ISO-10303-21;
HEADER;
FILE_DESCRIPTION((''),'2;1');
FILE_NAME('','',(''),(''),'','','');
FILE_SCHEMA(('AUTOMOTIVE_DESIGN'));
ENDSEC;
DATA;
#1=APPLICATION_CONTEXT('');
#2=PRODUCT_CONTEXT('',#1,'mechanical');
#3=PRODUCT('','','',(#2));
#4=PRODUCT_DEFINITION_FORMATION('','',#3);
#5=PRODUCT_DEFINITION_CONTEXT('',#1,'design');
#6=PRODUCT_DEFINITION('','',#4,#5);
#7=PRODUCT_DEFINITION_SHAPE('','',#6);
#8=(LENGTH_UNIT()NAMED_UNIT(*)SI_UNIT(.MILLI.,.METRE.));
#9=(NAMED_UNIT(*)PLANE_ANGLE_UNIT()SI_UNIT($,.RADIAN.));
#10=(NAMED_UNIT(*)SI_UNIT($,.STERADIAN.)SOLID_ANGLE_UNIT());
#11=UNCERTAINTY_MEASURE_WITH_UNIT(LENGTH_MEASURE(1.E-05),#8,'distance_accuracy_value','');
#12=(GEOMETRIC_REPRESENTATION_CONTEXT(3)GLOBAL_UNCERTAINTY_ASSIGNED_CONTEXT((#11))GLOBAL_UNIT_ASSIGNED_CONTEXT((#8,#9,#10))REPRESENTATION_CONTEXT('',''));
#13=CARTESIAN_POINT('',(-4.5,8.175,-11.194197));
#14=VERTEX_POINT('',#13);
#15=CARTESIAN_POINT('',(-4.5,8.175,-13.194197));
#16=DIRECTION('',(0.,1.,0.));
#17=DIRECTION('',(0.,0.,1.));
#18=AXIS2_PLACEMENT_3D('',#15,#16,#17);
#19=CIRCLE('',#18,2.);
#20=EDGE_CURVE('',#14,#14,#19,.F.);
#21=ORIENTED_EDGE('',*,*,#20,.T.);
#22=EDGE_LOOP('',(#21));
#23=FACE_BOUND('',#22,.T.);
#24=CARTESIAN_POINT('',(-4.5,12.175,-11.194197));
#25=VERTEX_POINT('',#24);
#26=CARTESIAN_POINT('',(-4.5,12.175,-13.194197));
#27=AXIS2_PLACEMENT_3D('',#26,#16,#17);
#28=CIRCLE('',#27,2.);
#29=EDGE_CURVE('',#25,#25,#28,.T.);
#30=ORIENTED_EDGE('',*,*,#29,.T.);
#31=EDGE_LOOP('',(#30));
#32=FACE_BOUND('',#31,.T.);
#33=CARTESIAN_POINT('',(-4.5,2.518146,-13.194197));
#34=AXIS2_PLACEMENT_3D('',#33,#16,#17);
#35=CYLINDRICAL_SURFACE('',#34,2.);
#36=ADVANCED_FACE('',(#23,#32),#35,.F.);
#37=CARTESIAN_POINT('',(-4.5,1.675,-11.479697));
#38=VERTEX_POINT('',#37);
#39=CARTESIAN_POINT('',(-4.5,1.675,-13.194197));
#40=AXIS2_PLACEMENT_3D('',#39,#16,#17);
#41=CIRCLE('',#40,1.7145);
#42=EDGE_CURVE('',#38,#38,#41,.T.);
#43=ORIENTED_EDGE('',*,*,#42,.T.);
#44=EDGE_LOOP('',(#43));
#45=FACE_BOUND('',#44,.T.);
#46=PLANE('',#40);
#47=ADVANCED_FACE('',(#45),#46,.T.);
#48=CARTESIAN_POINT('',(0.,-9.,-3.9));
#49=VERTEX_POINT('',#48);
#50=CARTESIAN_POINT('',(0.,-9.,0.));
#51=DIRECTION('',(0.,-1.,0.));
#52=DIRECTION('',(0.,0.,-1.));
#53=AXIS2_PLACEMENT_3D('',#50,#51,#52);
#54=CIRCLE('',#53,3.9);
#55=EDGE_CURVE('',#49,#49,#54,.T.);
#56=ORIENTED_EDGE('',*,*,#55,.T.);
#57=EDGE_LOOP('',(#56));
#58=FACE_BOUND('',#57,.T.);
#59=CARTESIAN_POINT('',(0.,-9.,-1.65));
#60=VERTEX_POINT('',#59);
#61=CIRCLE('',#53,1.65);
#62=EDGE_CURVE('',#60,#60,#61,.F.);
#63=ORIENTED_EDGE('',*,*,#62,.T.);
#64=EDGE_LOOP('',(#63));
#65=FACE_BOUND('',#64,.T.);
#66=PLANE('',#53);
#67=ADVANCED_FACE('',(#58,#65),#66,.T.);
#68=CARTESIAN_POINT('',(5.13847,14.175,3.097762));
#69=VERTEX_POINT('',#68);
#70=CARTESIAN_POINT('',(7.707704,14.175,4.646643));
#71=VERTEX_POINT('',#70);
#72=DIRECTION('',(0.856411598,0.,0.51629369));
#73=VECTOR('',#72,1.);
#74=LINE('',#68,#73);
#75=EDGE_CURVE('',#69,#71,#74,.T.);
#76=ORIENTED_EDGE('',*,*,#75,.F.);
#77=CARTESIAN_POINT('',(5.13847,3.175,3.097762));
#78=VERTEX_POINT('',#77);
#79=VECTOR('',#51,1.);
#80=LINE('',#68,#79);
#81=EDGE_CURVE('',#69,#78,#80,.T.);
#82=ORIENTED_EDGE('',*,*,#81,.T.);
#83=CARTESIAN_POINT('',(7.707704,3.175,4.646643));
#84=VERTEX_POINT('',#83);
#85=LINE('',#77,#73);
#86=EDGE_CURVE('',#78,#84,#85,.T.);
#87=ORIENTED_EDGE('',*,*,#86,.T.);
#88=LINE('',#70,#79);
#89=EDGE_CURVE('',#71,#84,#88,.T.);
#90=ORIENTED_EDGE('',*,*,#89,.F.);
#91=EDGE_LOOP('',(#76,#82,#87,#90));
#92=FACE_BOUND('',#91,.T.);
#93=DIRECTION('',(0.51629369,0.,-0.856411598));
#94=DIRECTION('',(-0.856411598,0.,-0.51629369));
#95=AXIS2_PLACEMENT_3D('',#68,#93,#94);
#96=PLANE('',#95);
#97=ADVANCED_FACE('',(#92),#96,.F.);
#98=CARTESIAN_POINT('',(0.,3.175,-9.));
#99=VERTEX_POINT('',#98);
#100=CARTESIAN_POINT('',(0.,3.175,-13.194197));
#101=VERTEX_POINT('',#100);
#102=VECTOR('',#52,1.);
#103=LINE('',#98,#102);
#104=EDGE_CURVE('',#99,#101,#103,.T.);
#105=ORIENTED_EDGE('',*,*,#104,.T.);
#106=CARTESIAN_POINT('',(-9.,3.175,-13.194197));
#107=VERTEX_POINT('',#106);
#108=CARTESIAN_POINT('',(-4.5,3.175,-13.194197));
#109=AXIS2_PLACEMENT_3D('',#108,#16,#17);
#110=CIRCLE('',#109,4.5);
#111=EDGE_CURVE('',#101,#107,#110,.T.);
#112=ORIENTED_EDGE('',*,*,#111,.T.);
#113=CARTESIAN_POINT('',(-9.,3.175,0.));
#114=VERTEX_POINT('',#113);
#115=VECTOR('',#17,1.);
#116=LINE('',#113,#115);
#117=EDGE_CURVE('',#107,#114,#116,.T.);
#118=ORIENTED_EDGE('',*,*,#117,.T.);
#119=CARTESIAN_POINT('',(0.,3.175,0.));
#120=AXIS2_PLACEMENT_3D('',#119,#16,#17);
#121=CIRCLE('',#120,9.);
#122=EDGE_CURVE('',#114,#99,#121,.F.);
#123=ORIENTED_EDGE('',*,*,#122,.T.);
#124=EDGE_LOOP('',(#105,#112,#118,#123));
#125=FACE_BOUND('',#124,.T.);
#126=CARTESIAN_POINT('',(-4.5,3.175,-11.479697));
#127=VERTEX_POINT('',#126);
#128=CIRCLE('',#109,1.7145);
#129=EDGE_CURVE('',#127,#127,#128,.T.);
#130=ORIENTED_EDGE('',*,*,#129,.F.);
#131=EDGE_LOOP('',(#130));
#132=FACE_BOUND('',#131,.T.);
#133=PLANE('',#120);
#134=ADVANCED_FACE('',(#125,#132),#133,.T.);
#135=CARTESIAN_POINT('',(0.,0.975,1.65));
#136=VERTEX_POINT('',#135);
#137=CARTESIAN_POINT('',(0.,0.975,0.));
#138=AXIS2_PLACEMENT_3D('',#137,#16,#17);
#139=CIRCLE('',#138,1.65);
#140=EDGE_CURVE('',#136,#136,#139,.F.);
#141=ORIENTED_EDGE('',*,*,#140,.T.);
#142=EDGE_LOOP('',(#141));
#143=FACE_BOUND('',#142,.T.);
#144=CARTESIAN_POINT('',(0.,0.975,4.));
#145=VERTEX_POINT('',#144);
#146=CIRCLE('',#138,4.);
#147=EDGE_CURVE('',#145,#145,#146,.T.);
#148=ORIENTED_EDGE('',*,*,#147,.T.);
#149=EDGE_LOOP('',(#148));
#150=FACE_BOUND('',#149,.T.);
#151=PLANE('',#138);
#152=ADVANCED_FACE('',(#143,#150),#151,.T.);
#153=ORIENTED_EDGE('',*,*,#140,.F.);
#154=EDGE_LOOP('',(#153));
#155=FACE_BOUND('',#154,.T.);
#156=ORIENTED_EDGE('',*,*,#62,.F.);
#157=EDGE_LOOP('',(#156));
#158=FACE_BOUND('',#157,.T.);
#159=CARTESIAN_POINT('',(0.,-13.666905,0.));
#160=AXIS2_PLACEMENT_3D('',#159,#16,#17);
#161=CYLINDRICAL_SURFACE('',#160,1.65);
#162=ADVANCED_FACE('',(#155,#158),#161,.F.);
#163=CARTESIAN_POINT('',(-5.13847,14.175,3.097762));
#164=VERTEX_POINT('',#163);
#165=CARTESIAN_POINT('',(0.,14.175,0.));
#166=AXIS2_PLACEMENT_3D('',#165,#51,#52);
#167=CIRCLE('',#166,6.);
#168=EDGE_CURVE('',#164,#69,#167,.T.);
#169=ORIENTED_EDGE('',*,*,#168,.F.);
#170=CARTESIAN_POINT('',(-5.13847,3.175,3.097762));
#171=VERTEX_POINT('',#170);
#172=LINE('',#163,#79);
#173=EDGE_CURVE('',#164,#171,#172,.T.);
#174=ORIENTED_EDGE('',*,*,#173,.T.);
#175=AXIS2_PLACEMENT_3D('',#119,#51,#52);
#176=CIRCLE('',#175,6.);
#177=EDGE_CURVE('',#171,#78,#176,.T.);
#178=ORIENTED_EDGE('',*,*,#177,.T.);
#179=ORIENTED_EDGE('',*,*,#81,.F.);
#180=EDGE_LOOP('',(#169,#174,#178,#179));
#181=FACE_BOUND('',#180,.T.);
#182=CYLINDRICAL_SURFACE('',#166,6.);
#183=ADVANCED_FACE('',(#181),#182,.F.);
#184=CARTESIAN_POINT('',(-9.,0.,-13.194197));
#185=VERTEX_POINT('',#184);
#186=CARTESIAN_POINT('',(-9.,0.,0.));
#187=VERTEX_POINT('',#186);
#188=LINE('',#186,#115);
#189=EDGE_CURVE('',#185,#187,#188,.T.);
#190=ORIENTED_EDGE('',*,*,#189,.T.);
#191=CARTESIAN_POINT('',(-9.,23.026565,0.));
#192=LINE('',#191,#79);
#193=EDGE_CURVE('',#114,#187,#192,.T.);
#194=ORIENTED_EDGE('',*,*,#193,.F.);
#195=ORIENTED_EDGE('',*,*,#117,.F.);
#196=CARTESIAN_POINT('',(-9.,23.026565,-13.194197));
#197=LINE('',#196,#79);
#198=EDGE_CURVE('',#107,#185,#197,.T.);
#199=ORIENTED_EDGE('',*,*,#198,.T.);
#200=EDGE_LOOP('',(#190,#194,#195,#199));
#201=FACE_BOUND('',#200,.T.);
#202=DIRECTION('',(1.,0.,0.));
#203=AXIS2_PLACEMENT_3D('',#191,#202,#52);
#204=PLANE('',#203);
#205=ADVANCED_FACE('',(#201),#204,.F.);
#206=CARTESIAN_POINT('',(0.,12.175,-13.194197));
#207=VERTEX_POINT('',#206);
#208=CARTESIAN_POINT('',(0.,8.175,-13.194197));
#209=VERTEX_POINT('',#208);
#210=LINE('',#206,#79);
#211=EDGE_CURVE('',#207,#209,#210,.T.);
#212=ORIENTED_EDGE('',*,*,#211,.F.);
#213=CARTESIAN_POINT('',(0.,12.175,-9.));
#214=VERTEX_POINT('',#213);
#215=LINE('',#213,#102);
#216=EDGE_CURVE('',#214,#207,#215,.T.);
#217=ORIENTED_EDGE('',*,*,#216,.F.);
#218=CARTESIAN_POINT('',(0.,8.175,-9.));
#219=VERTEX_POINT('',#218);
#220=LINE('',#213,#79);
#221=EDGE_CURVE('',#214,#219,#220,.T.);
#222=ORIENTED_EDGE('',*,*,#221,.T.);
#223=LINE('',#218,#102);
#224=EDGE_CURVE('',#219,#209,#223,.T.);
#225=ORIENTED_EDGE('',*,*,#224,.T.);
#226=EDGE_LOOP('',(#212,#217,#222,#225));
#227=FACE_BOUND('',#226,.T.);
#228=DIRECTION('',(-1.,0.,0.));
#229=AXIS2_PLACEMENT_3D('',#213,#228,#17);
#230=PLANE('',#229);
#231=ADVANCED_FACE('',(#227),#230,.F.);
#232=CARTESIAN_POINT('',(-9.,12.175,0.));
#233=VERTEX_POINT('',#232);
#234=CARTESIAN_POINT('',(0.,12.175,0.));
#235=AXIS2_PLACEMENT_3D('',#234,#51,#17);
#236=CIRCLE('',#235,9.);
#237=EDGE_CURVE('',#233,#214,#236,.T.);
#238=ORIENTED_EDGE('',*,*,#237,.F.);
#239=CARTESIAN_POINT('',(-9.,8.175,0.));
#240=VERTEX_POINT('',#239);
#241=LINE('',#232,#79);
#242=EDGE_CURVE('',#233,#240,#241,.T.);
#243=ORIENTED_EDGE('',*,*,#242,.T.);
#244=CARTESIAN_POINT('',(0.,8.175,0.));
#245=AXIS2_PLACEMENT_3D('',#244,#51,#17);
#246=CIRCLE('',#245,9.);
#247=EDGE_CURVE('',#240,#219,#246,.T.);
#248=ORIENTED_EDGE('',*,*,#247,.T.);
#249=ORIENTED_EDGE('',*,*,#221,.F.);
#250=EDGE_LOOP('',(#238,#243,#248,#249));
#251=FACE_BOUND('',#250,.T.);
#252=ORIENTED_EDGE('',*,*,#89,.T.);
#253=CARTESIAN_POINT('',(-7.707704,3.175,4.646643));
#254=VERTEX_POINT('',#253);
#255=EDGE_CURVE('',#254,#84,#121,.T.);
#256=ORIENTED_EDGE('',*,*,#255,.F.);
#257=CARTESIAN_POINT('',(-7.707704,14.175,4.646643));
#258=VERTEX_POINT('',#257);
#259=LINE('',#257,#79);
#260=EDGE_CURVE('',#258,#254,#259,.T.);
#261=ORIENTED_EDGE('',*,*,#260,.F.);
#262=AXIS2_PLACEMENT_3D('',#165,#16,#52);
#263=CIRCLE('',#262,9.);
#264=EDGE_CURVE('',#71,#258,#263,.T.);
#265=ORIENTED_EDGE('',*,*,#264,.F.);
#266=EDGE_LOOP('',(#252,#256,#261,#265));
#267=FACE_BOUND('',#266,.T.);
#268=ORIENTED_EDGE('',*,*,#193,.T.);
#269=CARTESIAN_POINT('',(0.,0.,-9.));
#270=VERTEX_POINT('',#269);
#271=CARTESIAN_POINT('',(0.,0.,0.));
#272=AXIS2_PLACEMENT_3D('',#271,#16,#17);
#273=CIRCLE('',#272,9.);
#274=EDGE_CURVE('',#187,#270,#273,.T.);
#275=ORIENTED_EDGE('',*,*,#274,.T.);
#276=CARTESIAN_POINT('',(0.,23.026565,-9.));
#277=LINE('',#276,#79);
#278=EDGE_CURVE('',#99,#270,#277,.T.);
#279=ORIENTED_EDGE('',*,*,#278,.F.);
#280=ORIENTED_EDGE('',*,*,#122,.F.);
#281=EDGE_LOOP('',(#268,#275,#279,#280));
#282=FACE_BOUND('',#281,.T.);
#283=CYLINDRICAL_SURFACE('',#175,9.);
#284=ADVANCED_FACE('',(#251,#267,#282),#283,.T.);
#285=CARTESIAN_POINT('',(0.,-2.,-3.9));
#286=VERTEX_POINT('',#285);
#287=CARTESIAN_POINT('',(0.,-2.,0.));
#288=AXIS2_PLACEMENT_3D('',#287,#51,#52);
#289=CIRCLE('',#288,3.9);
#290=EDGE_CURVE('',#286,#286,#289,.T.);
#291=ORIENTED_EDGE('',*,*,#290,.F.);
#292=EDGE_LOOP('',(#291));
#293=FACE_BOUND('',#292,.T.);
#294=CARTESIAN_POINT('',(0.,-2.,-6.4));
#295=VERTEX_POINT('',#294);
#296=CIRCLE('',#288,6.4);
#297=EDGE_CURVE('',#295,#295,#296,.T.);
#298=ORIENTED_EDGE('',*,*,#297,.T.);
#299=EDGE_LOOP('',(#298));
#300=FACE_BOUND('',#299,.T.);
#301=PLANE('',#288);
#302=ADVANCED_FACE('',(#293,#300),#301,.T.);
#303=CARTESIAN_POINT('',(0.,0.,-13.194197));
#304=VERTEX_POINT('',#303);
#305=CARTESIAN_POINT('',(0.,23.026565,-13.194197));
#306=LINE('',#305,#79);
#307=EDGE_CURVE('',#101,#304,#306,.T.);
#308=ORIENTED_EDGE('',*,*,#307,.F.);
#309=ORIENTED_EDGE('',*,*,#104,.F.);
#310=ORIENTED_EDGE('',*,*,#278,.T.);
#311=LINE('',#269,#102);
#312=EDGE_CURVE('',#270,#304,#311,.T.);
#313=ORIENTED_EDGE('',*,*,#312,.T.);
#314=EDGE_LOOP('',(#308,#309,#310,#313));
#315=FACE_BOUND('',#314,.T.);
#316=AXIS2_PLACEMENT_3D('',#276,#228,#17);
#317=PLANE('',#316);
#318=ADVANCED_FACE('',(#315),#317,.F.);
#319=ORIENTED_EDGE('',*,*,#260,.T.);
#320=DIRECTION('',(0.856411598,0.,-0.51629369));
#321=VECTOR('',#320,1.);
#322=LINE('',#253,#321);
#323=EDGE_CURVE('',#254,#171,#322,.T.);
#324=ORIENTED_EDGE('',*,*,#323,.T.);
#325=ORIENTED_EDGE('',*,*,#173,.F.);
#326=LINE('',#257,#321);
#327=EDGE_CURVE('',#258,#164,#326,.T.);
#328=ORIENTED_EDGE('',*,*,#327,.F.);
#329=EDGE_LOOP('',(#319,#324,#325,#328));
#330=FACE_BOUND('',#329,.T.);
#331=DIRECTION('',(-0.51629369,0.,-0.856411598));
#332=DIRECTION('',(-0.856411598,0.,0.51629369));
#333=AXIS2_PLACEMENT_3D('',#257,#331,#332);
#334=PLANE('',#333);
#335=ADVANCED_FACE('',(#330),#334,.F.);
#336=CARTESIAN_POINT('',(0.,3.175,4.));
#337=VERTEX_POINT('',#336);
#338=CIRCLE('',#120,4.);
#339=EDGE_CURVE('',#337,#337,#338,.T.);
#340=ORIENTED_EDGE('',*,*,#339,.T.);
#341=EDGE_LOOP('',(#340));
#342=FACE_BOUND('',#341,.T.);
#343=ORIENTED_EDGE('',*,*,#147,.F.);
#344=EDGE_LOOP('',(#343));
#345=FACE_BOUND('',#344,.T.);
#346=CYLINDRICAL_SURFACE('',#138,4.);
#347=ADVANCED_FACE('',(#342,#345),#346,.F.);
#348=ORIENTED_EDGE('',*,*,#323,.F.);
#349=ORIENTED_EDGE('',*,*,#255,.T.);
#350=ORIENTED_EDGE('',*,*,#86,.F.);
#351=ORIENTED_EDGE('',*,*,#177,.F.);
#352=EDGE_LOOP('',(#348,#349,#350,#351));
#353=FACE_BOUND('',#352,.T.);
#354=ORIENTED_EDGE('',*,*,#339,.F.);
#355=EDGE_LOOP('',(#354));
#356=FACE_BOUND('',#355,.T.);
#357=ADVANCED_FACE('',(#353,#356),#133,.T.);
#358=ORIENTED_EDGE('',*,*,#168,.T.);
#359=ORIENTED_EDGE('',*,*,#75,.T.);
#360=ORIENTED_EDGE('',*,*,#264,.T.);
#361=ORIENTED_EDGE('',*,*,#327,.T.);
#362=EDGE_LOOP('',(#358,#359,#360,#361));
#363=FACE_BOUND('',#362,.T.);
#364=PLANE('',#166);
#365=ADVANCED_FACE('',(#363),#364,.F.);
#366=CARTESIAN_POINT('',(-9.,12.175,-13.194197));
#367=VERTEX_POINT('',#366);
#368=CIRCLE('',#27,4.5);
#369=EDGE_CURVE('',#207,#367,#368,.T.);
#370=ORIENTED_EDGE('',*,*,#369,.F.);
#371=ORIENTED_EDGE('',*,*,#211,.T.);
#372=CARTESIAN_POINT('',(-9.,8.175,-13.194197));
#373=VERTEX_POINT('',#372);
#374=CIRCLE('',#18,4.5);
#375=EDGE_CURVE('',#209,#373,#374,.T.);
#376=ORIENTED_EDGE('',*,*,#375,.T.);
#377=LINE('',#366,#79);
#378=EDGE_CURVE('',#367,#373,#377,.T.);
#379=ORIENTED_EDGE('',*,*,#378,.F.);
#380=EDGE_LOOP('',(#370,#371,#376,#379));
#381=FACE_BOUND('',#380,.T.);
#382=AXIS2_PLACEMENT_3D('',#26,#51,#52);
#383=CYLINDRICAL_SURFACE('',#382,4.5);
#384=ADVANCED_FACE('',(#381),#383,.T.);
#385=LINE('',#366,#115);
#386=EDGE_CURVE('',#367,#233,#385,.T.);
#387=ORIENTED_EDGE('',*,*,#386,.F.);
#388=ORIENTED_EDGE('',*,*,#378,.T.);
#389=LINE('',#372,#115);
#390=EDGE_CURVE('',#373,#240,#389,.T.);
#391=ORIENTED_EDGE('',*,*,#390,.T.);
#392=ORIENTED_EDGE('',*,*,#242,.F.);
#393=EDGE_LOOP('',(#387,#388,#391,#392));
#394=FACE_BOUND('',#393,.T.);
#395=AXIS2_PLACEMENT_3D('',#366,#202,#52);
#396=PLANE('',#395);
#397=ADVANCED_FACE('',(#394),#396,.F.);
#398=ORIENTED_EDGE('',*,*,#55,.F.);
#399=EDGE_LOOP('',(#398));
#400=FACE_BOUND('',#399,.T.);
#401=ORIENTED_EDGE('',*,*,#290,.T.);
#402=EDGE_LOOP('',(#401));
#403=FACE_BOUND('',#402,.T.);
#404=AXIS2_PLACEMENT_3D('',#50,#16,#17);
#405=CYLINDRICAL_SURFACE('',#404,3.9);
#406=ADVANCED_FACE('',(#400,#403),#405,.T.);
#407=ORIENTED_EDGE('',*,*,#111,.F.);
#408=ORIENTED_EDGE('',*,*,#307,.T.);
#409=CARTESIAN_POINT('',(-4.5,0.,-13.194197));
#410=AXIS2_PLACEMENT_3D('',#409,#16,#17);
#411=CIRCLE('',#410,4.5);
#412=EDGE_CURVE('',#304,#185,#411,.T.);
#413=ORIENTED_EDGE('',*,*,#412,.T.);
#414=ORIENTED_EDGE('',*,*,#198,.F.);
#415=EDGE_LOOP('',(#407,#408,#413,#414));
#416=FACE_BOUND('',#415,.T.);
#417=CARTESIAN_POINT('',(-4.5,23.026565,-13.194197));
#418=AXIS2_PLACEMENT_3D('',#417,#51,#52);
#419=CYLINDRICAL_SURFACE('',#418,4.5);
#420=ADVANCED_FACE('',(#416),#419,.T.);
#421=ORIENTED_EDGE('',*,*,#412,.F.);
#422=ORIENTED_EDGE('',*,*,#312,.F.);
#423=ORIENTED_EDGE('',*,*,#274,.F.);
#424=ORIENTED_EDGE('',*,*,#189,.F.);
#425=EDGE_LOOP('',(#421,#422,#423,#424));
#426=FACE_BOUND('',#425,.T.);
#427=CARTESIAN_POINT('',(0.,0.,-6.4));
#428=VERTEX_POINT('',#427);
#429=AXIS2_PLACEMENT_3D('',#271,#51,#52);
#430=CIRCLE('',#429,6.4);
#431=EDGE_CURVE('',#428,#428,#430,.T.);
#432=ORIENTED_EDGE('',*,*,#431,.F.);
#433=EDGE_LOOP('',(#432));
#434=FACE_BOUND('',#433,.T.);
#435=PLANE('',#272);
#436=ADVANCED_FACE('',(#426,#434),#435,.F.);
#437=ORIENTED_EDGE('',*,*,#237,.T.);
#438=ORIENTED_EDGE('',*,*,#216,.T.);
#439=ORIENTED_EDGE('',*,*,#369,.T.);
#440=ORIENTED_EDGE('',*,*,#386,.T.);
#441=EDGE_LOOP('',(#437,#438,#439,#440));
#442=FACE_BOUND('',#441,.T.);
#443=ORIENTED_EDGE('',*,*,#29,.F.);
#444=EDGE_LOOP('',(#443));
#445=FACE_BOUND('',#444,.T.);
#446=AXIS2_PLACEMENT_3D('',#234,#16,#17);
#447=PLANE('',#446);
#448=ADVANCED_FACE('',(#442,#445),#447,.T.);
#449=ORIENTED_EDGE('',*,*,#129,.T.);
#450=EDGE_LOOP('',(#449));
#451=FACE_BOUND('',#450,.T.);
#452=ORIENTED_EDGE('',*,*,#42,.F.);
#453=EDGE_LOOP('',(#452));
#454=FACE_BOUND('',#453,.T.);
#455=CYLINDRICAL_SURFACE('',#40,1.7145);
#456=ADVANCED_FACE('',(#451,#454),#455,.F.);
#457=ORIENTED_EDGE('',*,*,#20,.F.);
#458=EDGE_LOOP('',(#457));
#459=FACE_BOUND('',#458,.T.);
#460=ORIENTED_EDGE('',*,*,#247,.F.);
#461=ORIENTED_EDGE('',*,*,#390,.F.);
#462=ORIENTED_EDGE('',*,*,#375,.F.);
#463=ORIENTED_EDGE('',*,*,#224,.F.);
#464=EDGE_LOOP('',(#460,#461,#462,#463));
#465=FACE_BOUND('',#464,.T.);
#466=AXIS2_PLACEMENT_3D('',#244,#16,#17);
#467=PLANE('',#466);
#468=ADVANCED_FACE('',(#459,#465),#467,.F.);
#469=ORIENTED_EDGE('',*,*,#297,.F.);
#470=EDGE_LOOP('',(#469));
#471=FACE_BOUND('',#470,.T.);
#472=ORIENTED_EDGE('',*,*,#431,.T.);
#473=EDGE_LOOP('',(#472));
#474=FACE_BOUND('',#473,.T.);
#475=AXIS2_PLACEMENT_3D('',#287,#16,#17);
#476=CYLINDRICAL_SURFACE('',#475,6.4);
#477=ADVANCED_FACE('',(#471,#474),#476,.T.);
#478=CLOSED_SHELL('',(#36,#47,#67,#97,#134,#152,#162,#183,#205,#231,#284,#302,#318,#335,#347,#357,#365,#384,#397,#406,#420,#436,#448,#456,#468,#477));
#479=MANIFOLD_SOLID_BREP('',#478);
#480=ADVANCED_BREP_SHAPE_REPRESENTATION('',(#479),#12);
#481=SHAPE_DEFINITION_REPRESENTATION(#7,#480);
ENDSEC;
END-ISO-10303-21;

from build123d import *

# Parameters (mm, degrees)
SKETCH1_R           = 9
BOSS_EXTRUDE1_DEPTH = 3.175
BOSS_EXTRUDE2_DEPTH = 11
SKETCH3_R           = 6.399999954
BOSS_EXTRUDE3_DEPTH = 2
SKETCH4_R           = 3.899999974
BOSS_EXTRUDE4_DEPTH = 6.999999906
BOSS_EXTRUDE5_DEPTH = 3.175
BOSS_EXTRUDE7_DEPTH = 4
SKETCH8_R           = 2
CUT_EXTRUDE1_DEPTH  = 4
SKETCH9_R           = 1.650000048
CUT_EXTRUDE2_DEPTH  = 12.175
SKETCH10_R          = 4
CUT_EXTRUDE3_DEPTH  = 2.2
SKETCH11_R          = 1.7145
CUT_EXTRUDE4_DEPTH  = 1.5


with BuildPart() as part:
    # Sketch1 → Boss-Extrude1 (new body)
    with BuildSketch(Plane(origin=(0, 0, 0), x_dir=(1, 0, 0), z_dir=(0, 1, 0))):
        Circle(SKETCH1_R)
    extrude(amount=BOSS_EXTRUDE1_DEPTH)

    # Sketch2 → Boss-Extrude2 (add)
    with BuildSketch(Plane(origin=(0, 3.175, 0), x_dir=(1, 0, 0), z_dir=(0, 1, 0))):
        with BuildLine():
            Line((-7.707704384, -4.646643211), (-5.138469589, -3.097762141))
            ThreePointArc((-5.138469589, -3.097762141), (0, 6), (5.138469589, -3.097762141))
            Line((5.138469589, -3.097762141), (7.707704384, -4.646643211))
            ThreePointArc((7.707704384, -4.646643211), (0, 9), (-7.707704384, -4.646643211))
        make_face()
    extrude(amount=BOSS_EXTRUDE2_DEPTH)

    # Sketch3 → Boss-Extrude3 (add)
    with BuildSketch(Plane.XZ):
        Circle(SKETCH3_R)
    extrude(amount=BOSS_EXTRUDE3_DEPTH)

    # Sketch4 → Boss-Extrude4 (add)
    with BuildSketch(Plane.XZ.offset(2)):
        Circle(SKETCH4_R)
    extrude(amount=BOSS_EXTRUDE4_DEPTH)

    # Sketch6 → Boss-Extrude5 (add)
    with BuildSketch(Plane(origin=(0, 0, 0), x_dir=(1, 0, 0), z_dir=(0, 1, 0))):
        with BuildLine():
            Line((-9, 0), (-9, 13.194197425))
            ThreePointArc((-9, 13.194197425), (-4.5, 17.694197425), (0, 13.194197425))
            Line((0, 13.194197425), (0, 9))
            ThreePointArc((0, 9), (-6.363961031, 6.363961031), (-9, 0))
        make_face()
    extrude(amount=BOSS_EXTRUDE5_DEPTH)

    # Sketch7 → Boss-Extrude7 (add)
    with BuildSketch(Plane(origin=(0, 8.174999906, 0), x_dir=(1, 0, 0), z_dir=(0, 1, 0))):
        with BuildLine():
            Line((0, 9), (0, 13.194197425))
            ThreePointArc((0, 13.194197425), (-4.5, 17.694197425), (-9, 13.194197425))
            Line((-9, 13.194197425), (-9, 0))
            ThreePointArc((-9, 0), (-6.363961031, 6.363961031), (0, 9))
        make_face()
    extrude(amount=BOSS_EXTRUDE7_DEPTH)

    # Sketch8 → Cut-Extrude1 (cut)
    with BuildSketch(Plane(origin=(0, 12.174999906, 0), x_dir=(1, 0, 0), z_dir=(0, 1, 0))):
        with Locations((-4.5, 13.194197425)):
            Circle(SKETCH8_R)
    extrude(amount=-CUT_EXTRUDE1_DEPTH, mode=Mode.SUBTRACT)

    # Sketch9 → Cut-Extrude2 (cut)
    with BuildSketch(Plane(origin=(0, 3.175, 0), x_dir=(1, 0, 0), z_dir=(0, 1, 0))):
        Circle(SKETCH9_R)
    extrude(amount=-CUT_EXTRUDE2_DEPTH, mode=Mode.SUBTRACT)

    # Sketch10 → Cut-Extrude3 (cut)
    with BuildSketch(Plane(origin=(0, 3.175, 0), x_dir=(1, 0, 0), z_dir=(0, 1, 0))):
        Circle(SKETCH10_R)
    extrude(amount=-CUT_EXTRUDE3_DEPTH, mode=Mode.SUBTRACT)

    # Sketch11 → Cut-Extrude4 (cut)
    with BuildSketch(Plane(origin=(0, 3.175, 0), x_dir=(1, 0, 0), z_dir=(0, 1, 0))):
        with Locations((-4.5, 13.194197425)):
            Circle(SKETCH11_R)
    extrude(amount=-CUT_EXTRUDE4_DEPTH, mode=Mode.SUBTRACT)


solid = part.part
